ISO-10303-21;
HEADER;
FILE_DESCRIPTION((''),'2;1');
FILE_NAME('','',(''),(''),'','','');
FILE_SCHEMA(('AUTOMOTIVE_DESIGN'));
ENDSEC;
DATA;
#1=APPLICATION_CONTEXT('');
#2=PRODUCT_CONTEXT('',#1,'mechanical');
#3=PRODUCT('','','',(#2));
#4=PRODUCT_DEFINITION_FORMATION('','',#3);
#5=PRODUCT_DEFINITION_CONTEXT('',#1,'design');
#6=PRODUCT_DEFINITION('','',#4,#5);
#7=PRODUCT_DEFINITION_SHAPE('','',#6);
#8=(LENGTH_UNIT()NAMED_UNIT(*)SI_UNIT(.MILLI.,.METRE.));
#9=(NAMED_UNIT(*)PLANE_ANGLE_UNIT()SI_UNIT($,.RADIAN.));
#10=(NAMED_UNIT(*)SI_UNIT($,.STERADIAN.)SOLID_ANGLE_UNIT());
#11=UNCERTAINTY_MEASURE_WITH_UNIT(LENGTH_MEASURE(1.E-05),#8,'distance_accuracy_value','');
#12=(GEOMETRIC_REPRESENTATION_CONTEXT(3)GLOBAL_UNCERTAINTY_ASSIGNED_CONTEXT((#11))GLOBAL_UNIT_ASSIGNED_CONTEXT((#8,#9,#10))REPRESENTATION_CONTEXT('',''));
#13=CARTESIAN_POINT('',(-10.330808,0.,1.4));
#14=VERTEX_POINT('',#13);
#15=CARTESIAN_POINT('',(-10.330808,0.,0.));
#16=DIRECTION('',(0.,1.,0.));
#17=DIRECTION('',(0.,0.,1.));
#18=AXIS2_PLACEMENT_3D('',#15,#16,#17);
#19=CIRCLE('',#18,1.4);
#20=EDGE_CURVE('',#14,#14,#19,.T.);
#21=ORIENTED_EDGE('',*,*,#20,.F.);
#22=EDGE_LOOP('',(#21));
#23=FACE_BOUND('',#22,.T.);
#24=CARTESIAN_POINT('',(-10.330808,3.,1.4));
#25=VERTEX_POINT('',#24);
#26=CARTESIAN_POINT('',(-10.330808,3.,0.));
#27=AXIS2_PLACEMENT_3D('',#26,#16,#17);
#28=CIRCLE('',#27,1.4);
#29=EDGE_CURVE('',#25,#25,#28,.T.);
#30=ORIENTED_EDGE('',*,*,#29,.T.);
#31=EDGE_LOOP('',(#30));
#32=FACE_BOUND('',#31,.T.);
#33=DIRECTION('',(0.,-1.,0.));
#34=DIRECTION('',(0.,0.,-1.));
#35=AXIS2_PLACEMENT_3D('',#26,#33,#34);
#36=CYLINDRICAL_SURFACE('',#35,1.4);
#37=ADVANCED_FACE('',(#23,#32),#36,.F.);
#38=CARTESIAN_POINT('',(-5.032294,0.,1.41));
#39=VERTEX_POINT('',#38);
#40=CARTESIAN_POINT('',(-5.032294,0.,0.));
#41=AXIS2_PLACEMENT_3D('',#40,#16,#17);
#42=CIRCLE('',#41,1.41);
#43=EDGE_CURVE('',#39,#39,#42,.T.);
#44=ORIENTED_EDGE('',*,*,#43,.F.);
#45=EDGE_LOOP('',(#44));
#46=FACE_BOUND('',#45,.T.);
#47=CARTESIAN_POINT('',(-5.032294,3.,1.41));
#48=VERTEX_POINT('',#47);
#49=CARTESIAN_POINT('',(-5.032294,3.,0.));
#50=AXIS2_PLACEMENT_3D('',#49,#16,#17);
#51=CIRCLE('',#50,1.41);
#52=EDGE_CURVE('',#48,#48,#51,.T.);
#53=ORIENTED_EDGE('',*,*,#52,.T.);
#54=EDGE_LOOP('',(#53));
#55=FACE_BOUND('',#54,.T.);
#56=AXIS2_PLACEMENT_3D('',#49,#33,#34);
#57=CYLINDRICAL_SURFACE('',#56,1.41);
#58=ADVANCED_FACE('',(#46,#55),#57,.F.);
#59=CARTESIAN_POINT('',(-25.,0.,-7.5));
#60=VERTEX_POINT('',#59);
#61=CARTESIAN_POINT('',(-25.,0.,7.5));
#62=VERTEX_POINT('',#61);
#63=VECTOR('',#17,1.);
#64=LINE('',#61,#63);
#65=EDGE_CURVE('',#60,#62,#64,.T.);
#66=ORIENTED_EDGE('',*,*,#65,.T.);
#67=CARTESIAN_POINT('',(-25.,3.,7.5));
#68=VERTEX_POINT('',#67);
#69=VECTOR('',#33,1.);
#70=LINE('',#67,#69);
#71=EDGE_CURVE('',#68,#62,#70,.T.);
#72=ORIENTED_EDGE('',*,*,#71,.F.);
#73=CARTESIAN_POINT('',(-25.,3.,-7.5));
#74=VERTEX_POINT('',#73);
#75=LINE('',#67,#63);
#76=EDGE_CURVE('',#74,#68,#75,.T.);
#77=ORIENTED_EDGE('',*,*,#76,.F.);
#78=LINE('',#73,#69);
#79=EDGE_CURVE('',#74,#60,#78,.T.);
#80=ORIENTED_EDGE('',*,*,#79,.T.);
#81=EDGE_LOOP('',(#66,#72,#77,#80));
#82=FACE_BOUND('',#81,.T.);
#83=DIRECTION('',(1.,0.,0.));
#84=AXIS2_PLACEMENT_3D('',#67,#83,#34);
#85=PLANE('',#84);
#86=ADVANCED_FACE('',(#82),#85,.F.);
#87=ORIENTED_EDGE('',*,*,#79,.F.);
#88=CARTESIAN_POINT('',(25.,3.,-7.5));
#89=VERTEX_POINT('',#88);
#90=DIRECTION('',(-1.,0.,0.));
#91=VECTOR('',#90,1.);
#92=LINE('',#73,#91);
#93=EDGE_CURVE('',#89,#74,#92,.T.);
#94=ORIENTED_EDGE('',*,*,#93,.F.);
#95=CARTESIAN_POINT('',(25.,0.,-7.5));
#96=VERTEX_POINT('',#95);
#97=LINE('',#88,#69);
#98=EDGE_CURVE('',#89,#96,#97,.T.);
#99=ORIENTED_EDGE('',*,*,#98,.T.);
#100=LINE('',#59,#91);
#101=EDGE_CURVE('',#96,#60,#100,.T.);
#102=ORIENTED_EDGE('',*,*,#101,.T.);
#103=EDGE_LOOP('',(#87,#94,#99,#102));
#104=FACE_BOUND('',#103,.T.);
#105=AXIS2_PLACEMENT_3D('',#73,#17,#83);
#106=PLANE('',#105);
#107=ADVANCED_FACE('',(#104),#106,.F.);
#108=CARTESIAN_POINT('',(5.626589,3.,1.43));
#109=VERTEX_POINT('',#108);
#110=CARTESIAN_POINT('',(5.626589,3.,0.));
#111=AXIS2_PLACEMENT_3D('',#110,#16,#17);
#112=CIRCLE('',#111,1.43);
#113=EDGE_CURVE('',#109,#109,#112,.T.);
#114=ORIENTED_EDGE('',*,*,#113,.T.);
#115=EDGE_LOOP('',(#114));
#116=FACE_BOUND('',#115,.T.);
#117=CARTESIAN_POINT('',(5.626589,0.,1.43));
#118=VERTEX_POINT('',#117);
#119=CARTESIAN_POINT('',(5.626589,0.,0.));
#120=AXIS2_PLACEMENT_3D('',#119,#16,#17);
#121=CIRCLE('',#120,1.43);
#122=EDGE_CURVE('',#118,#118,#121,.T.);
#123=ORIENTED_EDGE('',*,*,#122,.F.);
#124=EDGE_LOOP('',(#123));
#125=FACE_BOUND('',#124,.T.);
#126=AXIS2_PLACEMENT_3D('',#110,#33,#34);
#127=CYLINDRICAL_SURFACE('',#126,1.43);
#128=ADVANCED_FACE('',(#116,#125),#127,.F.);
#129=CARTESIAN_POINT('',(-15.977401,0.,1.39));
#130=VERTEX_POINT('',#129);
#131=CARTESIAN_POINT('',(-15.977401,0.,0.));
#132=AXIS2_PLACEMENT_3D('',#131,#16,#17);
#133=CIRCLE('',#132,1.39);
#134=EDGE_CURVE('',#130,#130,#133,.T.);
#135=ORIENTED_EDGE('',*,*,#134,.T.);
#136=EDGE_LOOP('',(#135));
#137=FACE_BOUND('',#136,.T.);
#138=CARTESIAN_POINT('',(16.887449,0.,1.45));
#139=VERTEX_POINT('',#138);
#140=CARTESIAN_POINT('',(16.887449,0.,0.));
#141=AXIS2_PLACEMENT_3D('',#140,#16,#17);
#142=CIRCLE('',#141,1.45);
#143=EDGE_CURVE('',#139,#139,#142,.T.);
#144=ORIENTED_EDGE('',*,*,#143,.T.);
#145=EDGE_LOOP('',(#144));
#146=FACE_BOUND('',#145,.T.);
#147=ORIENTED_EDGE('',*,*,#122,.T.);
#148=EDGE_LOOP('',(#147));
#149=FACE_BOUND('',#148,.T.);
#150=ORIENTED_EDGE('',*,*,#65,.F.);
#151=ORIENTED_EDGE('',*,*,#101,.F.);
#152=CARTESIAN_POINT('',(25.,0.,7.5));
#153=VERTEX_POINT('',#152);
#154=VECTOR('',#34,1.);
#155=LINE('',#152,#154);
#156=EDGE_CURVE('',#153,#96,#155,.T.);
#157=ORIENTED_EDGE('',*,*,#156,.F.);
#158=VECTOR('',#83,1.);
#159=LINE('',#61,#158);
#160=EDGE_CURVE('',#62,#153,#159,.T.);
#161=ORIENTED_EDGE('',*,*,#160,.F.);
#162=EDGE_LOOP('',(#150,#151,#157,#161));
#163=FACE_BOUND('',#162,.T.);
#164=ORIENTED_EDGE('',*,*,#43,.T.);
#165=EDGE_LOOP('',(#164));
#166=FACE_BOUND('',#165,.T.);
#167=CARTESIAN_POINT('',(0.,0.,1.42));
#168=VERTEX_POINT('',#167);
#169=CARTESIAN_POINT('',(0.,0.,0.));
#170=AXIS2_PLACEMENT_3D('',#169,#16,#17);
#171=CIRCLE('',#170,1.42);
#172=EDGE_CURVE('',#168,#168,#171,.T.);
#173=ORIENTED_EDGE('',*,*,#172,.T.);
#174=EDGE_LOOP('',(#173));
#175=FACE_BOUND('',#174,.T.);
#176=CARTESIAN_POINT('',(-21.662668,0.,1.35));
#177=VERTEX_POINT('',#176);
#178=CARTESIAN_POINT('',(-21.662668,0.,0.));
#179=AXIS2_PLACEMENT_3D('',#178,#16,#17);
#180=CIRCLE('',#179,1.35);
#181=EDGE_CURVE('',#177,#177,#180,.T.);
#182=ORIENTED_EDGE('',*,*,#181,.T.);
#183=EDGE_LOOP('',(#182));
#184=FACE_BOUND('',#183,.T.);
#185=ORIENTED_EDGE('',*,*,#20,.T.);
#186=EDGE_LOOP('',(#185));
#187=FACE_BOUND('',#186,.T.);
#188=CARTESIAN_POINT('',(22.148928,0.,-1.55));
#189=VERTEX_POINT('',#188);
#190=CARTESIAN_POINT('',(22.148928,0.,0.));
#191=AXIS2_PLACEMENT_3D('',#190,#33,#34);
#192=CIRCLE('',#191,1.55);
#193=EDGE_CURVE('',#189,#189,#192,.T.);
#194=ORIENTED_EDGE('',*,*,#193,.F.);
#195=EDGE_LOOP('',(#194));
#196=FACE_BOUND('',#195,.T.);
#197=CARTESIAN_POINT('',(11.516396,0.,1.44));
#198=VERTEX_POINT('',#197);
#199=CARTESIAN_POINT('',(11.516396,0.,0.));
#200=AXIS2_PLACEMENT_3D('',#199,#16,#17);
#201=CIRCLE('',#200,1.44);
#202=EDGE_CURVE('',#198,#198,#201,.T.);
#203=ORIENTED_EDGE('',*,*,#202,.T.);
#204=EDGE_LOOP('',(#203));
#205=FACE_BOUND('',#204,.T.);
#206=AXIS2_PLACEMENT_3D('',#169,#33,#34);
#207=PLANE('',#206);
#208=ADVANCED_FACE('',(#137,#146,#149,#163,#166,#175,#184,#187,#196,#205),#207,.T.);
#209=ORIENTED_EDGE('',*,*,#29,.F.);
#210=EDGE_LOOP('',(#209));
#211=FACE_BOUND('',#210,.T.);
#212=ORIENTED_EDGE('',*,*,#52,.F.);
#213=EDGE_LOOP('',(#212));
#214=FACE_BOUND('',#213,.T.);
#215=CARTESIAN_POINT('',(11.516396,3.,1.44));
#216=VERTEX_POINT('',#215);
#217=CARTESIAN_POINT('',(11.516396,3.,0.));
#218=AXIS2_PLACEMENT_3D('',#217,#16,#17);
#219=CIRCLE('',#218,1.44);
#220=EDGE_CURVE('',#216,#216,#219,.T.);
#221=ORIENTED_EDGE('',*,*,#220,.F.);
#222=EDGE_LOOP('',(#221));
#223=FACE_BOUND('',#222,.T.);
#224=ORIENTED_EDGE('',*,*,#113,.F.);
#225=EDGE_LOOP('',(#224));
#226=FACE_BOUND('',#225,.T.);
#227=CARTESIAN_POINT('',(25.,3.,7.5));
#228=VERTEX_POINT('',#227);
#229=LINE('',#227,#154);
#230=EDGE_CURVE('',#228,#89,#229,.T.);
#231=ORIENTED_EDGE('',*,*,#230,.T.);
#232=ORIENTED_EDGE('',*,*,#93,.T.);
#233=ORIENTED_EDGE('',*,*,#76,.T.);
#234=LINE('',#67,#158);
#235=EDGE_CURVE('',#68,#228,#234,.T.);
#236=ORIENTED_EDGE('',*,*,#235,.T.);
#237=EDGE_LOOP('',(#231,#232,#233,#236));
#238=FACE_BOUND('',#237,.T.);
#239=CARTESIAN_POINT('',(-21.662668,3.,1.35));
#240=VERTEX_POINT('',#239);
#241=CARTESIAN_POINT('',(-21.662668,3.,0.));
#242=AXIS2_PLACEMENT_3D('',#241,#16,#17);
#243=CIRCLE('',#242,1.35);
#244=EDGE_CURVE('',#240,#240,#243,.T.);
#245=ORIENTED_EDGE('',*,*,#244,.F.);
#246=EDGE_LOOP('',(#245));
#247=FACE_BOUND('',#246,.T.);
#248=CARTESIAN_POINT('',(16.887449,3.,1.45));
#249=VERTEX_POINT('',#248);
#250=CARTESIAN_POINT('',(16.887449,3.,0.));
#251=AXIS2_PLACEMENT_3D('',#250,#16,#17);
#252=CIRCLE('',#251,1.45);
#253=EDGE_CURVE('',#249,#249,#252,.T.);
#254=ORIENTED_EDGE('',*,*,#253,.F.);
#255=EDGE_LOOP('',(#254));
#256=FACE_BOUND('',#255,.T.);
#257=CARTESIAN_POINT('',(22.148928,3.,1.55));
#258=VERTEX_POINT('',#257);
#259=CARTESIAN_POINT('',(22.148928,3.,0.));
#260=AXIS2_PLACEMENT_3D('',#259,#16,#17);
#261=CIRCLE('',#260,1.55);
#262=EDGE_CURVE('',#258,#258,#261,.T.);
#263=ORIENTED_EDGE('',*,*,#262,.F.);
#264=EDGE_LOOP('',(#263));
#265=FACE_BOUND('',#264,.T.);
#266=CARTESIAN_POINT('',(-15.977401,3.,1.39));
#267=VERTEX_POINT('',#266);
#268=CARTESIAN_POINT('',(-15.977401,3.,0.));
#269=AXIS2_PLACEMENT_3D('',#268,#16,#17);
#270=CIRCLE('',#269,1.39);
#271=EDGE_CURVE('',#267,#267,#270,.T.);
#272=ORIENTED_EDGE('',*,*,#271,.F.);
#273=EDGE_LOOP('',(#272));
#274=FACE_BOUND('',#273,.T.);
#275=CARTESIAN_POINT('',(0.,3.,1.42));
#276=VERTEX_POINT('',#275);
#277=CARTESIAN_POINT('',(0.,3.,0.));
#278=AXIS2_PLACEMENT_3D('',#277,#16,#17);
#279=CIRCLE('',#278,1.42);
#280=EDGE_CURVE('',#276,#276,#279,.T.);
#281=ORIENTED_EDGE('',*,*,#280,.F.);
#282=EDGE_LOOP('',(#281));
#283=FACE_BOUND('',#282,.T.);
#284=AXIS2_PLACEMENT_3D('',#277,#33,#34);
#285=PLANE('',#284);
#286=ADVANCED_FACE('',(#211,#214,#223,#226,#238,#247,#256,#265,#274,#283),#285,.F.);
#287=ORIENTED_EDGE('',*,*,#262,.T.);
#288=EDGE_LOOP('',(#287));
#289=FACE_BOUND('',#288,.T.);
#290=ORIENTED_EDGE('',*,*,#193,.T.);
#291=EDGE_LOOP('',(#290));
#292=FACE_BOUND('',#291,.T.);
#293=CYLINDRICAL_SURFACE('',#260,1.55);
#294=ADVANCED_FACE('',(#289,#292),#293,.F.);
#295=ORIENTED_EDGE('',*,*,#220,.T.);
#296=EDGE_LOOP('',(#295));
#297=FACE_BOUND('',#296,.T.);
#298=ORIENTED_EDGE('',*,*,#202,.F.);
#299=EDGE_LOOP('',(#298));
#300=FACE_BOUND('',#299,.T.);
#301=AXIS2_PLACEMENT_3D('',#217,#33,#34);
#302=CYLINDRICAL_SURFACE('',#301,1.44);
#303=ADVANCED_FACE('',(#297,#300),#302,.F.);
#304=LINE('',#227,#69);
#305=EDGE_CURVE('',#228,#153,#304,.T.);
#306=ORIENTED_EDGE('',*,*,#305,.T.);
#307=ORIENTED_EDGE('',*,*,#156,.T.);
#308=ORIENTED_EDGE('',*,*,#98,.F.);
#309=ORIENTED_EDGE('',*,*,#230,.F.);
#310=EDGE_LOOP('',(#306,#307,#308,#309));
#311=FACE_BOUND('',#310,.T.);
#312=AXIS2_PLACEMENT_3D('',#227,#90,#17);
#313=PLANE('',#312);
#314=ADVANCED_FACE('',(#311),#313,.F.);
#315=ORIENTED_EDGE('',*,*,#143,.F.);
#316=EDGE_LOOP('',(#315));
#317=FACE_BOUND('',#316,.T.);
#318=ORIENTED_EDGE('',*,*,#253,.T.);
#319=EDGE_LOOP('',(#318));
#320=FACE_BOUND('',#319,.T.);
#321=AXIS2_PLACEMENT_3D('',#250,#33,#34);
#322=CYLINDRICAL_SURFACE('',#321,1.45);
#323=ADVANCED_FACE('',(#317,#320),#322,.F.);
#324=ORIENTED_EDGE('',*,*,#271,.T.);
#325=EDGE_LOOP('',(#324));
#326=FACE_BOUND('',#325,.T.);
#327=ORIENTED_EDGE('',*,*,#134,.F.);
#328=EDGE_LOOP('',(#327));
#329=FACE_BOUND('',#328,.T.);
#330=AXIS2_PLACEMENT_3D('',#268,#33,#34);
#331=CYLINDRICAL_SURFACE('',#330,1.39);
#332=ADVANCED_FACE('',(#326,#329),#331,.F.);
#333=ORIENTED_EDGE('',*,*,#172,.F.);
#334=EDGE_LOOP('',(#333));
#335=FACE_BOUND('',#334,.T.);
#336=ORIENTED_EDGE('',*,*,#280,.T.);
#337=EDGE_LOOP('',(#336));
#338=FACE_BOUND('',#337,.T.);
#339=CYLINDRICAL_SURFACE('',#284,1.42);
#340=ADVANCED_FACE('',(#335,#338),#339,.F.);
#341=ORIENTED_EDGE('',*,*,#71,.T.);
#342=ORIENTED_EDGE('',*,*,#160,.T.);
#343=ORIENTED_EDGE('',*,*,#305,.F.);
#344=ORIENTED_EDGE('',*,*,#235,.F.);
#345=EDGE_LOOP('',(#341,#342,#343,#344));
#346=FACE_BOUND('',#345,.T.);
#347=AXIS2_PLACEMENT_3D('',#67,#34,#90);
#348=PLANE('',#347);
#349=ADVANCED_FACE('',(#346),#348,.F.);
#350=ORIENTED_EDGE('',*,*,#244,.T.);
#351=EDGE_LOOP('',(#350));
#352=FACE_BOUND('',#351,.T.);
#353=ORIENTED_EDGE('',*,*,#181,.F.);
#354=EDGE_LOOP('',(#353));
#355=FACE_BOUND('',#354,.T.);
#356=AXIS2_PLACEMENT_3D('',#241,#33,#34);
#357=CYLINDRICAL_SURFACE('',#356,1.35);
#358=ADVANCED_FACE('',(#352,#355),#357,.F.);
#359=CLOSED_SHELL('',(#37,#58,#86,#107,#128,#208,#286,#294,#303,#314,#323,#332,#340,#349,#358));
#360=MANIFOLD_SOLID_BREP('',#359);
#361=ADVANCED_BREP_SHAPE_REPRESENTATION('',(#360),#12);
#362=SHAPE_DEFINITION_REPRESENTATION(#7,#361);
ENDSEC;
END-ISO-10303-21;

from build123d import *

# Parameters (mm, degrees)
CROQUIS1_W                         = 50
CROQUIS1_H                         = 15
CROQUIS1_R                         = 1.35
CROQUIS1_R_2                       = 1.39
CROQUIS1_R_3                       = 1.4
CROQUIS1_R_4                       = 1.41
CROQUIS1_R_5                       = 1.42
CROQUIS1_R_6                       = 1.43
CROQUIS1_R_7                       = 1.44
CROQUIS1_R_8                       = 1.45
SALIENTE_EXTRUIR1_DEPTH            = 3
TALADRO_DE_MARGEN_PARA_M2_51_D     = 3.1
TALADRO_DE_MARGEN_PARA_M2_51_DEPTH = 3.18
TALADRO_DE_MARGEN_PARA_M2_51_TIP   = 0.931333959


with BuildPart() as part:
    # Croquis1 → Saliente-Extruir1 (new body)
    with BuildSketch(Plane(origin=(0, 0, 0), x_dir=(1, 0, 0), z_dir=(0, 1, 0))):
        Rectangle(CROQUIS1_W, CROQUIS1_H)
        with Locations(Location((-21.662668198, 0, 0), (0, 0, 270))):
            Circle(CROQUIS1_R, mode=Mode.SUBTRACT)
        with Locations(Location((-15.977400582, 0, 0), (0, 0, 270))):
            Circle(CROQUIS1_R_2, mode=Mode.SUBTRACT)
        with Locations(Location((-10.330808256, 0, 0), (0, 0, 270))):
            Circle(CROQUIS1_R_3, mode=Mode.SUBTRACT)
        with Locations(Location((-5.032293538, 0, 0), (0, 0, 270))):
            Circle(CROQUIS1_R_4, mode=Mode.SUBTRACT)
        with Locations(Location((0, 0, 0), (0, 0, 270))):
            Circle(CROQUIS1_R_5, mode=Mode.SUBTRACT)
        with Locations(Location((5.626588796, 0, 0), (0, 0, 270))):
            Circle(CROQUIS1_R_6, mode=Mode.SUBTRACT)
        with Locations(Location((11.516395661, 0, 0), (0, 0, 270))):
            Circle(CROQUIS1_R_7, mode=Mode.SUBTRACT)
        with Locations(Location((16.88744942, 0, 0), (0, 0, 270))):
            Circle(CROQUIS1_R_8, mode=Mode.SUBTRACT)
    extrude(amount=SALIENTE_EXTRUIR1_DEPTH)

    # Taladro de margen para M2.51
    with Locations(Plane(origin=(0, 3, 0), x_dir=(1, 0, 0), z_dir=(0, 1, 0))):
        with Locations((22.148927614, 0)):
            Hole(TALADRO_DE_MARGEN_PARA_M2_51_D / 2, depth=TALADRO_DE_MARGEN_PARA_M2_51_DEPTH)
            with Locations((0, 0, -(TALADRO_DE_MARGEN_PARA_M2_51_DEPTH + TALADRO_DE_MARGEN_PARA_M2_51_TIP / 2))):  # 118° drill point
                Cone(0, TALADRO_DE_MARGEN_PARA_M2_51_D / 2, TALADRO_DE_MARGEN_PARA_M2_51_TIP, mode=Mode.SUBTRACT)


solid = part.part
